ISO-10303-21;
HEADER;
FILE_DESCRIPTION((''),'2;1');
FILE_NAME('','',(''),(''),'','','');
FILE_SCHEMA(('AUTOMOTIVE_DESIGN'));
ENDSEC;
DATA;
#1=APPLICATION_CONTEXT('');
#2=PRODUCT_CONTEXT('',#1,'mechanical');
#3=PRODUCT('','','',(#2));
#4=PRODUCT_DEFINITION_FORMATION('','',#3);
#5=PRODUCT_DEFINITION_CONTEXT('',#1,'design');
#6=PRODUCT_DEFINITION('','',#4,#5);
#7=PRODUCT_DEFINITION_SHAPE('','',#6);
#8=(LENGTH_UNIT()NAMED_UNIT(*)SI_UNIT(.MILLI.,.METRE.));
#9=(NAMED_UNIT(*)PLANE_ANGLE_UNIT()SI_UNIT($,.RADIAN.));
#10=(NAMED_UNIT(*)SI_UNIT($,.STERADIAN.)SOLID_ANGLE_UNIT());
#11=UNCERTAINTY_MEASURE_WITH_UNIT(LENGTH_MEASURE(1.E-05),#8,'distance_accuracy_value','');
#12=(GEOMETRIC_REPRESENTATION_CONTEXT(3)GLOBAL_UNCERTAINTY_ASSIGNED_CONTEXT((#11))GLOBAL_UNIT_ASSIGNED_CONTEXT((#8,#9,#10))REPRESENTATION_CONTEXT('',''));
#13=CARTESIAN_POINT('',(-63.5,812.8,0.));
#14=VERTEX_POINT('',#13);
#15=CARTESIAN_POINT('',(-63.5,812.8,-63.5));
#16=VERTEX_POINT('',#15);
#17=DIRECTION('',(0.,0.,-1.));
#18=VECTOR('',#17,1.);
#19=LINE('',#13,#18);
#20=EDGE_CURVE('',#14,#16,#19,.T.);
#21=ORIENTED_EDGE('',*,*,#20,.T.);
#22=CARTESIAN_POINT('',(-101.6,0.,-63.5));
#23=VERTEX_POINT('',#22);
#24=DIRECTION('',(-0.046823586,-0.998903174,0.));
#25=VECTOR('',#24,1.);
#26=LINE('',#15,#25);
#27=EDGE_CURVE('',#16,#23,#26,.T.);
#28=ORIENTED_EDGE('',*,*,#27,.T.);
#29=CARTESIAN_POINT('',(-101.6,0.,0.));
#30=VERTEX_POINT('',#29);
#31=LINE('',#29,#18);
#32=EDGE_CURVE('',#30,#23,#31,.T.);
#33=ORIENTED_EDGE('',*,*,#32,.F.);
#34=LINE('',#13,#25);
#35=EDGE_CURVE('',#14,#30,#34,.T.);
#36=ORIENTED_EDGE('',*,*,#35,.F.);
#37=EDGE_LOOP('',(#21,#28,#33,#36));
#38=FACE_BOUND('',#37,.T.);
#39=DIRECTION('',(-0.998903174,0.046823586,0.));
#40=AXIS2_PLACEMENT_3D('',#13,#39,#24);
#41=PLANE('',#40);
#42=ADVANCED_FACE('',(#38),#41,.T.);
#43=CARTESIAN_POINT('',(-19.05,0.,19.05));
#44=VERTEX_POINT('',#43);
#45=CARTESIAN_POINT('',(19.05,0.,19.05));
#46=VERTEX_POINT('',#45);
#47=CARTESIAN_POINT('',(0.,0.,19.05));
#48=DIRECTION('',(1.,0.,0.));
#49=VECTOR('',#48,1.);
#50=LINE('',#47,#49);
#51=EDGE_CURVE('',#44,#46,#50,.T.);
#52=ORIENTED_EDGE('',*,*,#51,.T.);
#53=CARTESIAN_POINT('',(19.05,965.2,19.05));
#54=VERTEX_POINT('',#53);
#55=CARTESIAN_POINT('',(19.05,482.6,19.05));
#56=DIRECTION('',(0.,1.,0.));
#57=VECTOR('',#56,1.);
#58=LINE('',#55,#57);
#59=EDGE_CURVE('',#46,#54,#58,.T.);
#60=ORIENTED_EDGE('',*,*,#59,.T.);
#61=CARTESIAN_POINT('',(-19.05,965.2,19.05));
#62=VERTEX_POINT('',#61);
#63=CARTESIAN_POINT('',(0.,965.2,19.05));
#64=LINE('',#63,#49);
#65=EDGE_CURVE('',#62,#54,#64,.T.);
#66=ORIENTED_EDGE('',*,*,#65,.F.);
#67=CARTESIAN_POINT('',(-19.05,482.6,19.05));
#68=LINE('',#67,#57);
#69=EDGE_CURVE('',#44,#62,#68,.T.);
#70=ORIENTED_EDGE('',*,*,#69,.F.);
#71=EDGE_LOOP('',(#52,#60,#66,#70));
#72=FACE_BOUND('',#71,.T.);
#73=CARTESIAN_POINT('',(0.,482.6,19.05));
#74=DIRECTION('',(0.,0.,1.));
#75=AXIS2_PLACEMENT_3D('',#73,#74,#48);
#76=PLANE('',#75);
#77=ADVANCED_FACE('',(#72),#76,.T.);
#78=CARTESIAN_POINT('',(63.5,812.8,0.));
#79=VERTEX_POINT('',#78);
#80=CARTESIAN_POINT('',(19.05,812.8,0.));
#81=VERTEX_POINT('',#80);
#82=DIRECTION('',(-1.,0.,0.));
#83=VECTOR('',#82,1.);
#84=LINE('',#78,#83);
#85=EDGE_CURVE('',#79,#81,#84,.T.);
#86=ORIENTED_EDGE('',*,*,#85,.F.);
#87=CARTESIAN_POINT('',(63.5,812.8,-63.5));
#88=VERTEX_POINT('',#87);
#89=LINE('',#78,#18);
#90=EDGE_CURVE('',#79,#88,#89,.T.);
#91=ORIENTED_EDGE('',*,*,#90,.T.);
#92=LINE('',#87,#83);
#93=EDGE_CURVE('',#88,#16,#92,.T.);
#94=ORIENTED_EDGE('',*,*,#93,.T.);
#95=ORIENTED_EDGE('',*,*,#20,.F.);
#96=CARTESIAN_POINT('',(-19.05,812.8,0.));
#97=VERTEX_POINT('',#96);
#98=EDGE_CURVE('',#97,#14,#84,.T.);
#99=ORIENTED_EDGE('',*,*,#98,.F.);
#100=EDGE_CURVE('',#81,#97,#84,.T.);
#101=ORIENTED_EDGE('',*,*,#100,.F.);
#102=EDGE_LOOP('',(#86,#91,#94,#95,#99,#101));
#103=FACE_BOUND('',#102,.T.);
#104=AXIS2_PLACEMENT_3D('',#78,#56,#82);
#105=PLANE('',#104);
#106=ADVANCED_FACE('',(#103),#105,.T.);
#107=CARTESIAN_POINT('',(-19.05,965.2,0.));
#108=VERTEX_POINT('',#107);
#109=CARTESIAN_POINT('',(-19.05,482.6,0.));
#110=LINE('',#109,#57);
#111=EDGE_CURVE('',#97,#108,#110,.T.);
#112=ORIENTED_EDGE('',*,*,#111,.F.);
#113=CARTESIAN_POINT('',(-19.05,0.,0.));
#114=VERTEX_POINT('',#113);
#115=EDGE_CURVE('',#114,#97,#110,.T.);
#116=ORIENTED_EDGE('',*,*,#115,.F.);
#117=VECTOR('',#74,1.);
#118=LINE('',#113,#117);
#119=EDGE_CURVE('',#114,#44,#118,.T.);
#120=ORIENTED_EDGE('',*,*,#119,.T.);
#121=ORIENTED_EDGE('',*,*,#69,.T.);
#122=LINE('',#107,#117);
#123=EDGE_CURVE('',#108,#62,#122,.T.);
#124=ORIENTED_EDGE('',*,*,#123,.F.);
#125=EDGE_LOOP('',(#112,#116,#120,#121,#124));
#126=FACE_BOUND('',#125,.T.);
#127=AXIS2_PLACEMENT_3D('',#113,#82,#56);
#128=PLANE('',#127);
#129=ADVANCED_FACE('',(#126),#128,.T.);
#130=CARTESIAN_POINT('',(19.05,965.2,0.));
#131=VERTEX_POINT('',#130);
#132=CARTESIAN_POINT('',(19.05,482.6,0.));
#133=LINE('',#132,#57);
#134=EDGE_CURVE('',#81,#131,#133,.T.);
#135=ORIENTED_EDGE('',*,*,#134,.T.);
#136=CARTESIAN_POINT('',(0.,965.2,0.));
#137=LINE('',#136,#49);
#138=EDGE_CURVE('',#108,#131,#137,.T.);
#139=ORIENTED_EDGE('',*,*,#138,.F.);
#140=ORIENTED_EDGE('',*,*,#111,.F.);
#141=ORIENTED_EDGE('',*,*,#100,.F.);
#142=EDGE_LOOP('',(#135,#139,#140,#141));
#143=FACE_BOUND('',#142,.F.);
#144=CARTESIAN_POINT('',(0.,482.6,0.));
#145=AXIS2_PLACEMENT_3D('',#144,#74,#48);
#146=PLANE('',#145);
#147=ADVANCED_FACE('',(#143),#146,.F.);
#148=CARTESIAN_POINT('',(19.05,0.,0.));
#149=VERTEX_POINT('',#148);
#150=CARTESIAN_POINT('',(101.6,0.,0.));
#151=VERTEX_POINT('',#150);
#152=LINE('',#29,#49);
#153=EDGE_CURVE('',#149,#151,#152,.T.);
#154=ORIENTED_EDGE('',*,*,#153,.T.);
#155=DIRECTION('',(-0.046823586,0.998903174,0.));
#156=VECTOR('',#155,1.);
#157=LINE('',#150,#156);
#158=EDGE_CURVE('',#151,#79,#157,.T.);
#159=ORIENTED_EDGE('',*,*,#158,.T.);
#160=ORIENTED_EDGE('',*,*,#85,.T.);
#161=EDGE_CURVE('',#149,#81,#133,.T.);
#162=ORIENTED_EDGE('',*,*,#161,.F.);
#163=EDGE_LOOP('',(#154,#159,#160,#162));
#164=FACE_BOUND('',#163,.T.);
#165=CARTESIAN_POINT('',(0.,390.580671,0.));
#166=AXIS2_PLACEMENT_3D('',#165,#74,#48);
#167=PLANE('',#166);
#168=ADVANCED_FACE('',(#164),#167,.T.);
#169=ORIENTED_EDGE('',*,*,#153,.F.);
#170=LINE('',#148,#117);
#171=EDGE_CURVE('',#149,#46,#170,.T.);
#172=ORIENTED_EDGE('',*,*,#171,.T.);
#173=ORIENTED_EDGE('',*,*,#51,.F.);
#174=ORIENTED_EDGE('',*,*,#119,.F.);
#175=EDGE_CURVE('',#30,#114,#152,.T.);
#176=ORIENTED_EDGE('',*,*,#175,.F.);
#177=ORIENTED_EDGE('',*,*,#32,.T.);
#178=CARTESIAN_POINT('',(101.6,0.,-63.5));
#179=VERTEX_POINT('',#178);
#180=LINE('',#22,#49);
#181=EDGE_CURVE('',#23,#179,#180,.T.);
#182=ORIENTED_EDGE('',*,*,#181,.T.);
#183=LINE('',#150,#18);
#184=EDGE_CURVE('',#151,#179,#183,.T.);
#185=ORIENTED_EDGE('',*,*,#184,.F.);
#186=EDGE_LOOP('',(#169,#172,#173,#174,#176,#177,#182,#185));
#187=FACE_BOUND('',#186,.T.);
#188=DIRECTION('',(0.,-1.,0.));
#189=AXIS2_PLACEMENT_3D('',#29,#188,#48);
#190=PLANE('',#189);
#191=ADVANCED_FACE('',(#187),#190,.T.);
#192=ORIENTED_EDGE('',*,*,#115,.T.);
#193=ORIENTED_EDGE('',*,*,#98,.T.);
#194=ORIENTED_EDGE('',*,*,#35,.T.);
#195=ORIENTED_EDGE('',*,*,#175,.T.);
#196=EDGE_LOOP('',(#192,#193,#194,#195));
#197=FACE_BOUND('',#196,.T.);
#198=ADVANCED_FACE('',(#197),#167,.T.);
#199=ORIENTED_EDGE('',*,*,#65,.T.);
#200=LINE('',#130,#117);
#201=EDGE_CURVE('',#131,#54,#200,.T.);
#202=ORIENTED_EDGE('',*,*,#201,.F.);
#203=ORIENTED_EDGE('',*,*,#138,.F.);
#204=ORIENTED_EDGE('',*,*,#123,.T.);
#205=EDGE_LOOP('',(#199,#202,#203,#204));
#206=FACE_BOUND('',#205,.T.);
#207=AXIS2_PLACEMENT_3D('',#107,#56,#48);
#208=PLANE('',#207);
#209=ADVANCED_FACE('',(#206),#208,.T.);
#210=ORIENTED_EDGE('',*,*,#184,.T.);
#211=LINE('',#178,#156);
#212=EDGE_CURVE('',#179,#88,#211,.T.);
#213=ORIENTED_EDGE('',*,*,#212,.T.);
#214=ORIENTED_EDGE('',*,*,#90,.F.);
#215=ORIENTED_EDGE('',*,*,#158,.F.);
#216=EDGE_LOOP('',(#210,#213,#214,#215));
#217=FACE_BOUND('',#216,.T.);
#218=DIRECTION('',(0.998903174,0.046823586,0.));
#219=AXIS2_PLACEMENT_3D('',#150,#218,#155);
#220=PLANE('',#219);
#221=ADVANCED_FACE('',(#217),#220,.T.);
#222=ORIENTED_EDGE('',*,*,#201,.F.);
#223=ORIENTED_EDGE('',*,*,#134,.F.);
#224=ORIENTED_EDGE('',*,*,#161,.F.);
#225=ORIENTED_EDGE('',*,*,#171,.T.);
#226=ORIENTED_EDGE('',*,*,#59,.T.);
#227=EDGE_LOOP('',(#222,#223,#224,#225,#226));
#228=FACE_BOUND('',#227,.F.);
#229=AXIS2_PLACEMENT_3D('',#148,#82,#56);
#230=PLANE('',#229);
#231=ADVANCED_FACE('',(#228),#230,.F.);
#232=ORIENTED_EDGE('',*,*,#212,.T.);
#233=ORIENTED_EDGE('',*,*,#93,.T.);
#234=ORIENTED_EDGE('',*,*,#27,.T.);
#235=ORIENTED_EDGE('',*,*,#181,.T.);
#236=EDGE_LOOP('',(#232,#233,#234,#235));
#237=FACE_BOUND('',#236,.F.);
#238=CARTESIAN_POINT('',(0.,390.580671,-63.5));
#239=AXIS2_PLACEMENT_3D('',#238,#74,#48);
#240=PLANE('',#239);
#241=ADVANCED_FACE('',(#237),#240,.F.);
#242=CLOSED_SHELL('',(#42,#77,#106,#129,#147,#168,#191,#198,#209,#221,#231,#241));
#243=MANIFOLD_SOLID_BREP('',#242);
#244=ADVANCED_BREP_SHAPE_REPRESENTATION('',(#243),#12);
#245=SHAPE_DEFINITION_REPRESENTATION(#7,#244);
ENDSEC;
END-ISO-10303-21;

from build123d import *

# Parameters (mm, degrees)
F0_W     = 38.1
F0_H     = 965.2
F1_DEPTH = 19.05
F3_DEPTH = 63.5


with BuildPart() as f1:
    # F0 (on Top) → F1 (new body)
    with BuildSketch(Plane.XY):
        with Locations((0, 482.6)):
            Rectangle(F0_W, F0_H)
    extrude(amount=F1_DEPTH)

    # F2 (on Top) → F3 (join)
    with BuildSketch(Plane.XY):
        Polygon((-63.5, 812.8), (-101.6, 0), (101.6, 0), (63.5, 812.8), align=None)
    extrude(amount=-F3_DEPTH)


solid = f1.part
